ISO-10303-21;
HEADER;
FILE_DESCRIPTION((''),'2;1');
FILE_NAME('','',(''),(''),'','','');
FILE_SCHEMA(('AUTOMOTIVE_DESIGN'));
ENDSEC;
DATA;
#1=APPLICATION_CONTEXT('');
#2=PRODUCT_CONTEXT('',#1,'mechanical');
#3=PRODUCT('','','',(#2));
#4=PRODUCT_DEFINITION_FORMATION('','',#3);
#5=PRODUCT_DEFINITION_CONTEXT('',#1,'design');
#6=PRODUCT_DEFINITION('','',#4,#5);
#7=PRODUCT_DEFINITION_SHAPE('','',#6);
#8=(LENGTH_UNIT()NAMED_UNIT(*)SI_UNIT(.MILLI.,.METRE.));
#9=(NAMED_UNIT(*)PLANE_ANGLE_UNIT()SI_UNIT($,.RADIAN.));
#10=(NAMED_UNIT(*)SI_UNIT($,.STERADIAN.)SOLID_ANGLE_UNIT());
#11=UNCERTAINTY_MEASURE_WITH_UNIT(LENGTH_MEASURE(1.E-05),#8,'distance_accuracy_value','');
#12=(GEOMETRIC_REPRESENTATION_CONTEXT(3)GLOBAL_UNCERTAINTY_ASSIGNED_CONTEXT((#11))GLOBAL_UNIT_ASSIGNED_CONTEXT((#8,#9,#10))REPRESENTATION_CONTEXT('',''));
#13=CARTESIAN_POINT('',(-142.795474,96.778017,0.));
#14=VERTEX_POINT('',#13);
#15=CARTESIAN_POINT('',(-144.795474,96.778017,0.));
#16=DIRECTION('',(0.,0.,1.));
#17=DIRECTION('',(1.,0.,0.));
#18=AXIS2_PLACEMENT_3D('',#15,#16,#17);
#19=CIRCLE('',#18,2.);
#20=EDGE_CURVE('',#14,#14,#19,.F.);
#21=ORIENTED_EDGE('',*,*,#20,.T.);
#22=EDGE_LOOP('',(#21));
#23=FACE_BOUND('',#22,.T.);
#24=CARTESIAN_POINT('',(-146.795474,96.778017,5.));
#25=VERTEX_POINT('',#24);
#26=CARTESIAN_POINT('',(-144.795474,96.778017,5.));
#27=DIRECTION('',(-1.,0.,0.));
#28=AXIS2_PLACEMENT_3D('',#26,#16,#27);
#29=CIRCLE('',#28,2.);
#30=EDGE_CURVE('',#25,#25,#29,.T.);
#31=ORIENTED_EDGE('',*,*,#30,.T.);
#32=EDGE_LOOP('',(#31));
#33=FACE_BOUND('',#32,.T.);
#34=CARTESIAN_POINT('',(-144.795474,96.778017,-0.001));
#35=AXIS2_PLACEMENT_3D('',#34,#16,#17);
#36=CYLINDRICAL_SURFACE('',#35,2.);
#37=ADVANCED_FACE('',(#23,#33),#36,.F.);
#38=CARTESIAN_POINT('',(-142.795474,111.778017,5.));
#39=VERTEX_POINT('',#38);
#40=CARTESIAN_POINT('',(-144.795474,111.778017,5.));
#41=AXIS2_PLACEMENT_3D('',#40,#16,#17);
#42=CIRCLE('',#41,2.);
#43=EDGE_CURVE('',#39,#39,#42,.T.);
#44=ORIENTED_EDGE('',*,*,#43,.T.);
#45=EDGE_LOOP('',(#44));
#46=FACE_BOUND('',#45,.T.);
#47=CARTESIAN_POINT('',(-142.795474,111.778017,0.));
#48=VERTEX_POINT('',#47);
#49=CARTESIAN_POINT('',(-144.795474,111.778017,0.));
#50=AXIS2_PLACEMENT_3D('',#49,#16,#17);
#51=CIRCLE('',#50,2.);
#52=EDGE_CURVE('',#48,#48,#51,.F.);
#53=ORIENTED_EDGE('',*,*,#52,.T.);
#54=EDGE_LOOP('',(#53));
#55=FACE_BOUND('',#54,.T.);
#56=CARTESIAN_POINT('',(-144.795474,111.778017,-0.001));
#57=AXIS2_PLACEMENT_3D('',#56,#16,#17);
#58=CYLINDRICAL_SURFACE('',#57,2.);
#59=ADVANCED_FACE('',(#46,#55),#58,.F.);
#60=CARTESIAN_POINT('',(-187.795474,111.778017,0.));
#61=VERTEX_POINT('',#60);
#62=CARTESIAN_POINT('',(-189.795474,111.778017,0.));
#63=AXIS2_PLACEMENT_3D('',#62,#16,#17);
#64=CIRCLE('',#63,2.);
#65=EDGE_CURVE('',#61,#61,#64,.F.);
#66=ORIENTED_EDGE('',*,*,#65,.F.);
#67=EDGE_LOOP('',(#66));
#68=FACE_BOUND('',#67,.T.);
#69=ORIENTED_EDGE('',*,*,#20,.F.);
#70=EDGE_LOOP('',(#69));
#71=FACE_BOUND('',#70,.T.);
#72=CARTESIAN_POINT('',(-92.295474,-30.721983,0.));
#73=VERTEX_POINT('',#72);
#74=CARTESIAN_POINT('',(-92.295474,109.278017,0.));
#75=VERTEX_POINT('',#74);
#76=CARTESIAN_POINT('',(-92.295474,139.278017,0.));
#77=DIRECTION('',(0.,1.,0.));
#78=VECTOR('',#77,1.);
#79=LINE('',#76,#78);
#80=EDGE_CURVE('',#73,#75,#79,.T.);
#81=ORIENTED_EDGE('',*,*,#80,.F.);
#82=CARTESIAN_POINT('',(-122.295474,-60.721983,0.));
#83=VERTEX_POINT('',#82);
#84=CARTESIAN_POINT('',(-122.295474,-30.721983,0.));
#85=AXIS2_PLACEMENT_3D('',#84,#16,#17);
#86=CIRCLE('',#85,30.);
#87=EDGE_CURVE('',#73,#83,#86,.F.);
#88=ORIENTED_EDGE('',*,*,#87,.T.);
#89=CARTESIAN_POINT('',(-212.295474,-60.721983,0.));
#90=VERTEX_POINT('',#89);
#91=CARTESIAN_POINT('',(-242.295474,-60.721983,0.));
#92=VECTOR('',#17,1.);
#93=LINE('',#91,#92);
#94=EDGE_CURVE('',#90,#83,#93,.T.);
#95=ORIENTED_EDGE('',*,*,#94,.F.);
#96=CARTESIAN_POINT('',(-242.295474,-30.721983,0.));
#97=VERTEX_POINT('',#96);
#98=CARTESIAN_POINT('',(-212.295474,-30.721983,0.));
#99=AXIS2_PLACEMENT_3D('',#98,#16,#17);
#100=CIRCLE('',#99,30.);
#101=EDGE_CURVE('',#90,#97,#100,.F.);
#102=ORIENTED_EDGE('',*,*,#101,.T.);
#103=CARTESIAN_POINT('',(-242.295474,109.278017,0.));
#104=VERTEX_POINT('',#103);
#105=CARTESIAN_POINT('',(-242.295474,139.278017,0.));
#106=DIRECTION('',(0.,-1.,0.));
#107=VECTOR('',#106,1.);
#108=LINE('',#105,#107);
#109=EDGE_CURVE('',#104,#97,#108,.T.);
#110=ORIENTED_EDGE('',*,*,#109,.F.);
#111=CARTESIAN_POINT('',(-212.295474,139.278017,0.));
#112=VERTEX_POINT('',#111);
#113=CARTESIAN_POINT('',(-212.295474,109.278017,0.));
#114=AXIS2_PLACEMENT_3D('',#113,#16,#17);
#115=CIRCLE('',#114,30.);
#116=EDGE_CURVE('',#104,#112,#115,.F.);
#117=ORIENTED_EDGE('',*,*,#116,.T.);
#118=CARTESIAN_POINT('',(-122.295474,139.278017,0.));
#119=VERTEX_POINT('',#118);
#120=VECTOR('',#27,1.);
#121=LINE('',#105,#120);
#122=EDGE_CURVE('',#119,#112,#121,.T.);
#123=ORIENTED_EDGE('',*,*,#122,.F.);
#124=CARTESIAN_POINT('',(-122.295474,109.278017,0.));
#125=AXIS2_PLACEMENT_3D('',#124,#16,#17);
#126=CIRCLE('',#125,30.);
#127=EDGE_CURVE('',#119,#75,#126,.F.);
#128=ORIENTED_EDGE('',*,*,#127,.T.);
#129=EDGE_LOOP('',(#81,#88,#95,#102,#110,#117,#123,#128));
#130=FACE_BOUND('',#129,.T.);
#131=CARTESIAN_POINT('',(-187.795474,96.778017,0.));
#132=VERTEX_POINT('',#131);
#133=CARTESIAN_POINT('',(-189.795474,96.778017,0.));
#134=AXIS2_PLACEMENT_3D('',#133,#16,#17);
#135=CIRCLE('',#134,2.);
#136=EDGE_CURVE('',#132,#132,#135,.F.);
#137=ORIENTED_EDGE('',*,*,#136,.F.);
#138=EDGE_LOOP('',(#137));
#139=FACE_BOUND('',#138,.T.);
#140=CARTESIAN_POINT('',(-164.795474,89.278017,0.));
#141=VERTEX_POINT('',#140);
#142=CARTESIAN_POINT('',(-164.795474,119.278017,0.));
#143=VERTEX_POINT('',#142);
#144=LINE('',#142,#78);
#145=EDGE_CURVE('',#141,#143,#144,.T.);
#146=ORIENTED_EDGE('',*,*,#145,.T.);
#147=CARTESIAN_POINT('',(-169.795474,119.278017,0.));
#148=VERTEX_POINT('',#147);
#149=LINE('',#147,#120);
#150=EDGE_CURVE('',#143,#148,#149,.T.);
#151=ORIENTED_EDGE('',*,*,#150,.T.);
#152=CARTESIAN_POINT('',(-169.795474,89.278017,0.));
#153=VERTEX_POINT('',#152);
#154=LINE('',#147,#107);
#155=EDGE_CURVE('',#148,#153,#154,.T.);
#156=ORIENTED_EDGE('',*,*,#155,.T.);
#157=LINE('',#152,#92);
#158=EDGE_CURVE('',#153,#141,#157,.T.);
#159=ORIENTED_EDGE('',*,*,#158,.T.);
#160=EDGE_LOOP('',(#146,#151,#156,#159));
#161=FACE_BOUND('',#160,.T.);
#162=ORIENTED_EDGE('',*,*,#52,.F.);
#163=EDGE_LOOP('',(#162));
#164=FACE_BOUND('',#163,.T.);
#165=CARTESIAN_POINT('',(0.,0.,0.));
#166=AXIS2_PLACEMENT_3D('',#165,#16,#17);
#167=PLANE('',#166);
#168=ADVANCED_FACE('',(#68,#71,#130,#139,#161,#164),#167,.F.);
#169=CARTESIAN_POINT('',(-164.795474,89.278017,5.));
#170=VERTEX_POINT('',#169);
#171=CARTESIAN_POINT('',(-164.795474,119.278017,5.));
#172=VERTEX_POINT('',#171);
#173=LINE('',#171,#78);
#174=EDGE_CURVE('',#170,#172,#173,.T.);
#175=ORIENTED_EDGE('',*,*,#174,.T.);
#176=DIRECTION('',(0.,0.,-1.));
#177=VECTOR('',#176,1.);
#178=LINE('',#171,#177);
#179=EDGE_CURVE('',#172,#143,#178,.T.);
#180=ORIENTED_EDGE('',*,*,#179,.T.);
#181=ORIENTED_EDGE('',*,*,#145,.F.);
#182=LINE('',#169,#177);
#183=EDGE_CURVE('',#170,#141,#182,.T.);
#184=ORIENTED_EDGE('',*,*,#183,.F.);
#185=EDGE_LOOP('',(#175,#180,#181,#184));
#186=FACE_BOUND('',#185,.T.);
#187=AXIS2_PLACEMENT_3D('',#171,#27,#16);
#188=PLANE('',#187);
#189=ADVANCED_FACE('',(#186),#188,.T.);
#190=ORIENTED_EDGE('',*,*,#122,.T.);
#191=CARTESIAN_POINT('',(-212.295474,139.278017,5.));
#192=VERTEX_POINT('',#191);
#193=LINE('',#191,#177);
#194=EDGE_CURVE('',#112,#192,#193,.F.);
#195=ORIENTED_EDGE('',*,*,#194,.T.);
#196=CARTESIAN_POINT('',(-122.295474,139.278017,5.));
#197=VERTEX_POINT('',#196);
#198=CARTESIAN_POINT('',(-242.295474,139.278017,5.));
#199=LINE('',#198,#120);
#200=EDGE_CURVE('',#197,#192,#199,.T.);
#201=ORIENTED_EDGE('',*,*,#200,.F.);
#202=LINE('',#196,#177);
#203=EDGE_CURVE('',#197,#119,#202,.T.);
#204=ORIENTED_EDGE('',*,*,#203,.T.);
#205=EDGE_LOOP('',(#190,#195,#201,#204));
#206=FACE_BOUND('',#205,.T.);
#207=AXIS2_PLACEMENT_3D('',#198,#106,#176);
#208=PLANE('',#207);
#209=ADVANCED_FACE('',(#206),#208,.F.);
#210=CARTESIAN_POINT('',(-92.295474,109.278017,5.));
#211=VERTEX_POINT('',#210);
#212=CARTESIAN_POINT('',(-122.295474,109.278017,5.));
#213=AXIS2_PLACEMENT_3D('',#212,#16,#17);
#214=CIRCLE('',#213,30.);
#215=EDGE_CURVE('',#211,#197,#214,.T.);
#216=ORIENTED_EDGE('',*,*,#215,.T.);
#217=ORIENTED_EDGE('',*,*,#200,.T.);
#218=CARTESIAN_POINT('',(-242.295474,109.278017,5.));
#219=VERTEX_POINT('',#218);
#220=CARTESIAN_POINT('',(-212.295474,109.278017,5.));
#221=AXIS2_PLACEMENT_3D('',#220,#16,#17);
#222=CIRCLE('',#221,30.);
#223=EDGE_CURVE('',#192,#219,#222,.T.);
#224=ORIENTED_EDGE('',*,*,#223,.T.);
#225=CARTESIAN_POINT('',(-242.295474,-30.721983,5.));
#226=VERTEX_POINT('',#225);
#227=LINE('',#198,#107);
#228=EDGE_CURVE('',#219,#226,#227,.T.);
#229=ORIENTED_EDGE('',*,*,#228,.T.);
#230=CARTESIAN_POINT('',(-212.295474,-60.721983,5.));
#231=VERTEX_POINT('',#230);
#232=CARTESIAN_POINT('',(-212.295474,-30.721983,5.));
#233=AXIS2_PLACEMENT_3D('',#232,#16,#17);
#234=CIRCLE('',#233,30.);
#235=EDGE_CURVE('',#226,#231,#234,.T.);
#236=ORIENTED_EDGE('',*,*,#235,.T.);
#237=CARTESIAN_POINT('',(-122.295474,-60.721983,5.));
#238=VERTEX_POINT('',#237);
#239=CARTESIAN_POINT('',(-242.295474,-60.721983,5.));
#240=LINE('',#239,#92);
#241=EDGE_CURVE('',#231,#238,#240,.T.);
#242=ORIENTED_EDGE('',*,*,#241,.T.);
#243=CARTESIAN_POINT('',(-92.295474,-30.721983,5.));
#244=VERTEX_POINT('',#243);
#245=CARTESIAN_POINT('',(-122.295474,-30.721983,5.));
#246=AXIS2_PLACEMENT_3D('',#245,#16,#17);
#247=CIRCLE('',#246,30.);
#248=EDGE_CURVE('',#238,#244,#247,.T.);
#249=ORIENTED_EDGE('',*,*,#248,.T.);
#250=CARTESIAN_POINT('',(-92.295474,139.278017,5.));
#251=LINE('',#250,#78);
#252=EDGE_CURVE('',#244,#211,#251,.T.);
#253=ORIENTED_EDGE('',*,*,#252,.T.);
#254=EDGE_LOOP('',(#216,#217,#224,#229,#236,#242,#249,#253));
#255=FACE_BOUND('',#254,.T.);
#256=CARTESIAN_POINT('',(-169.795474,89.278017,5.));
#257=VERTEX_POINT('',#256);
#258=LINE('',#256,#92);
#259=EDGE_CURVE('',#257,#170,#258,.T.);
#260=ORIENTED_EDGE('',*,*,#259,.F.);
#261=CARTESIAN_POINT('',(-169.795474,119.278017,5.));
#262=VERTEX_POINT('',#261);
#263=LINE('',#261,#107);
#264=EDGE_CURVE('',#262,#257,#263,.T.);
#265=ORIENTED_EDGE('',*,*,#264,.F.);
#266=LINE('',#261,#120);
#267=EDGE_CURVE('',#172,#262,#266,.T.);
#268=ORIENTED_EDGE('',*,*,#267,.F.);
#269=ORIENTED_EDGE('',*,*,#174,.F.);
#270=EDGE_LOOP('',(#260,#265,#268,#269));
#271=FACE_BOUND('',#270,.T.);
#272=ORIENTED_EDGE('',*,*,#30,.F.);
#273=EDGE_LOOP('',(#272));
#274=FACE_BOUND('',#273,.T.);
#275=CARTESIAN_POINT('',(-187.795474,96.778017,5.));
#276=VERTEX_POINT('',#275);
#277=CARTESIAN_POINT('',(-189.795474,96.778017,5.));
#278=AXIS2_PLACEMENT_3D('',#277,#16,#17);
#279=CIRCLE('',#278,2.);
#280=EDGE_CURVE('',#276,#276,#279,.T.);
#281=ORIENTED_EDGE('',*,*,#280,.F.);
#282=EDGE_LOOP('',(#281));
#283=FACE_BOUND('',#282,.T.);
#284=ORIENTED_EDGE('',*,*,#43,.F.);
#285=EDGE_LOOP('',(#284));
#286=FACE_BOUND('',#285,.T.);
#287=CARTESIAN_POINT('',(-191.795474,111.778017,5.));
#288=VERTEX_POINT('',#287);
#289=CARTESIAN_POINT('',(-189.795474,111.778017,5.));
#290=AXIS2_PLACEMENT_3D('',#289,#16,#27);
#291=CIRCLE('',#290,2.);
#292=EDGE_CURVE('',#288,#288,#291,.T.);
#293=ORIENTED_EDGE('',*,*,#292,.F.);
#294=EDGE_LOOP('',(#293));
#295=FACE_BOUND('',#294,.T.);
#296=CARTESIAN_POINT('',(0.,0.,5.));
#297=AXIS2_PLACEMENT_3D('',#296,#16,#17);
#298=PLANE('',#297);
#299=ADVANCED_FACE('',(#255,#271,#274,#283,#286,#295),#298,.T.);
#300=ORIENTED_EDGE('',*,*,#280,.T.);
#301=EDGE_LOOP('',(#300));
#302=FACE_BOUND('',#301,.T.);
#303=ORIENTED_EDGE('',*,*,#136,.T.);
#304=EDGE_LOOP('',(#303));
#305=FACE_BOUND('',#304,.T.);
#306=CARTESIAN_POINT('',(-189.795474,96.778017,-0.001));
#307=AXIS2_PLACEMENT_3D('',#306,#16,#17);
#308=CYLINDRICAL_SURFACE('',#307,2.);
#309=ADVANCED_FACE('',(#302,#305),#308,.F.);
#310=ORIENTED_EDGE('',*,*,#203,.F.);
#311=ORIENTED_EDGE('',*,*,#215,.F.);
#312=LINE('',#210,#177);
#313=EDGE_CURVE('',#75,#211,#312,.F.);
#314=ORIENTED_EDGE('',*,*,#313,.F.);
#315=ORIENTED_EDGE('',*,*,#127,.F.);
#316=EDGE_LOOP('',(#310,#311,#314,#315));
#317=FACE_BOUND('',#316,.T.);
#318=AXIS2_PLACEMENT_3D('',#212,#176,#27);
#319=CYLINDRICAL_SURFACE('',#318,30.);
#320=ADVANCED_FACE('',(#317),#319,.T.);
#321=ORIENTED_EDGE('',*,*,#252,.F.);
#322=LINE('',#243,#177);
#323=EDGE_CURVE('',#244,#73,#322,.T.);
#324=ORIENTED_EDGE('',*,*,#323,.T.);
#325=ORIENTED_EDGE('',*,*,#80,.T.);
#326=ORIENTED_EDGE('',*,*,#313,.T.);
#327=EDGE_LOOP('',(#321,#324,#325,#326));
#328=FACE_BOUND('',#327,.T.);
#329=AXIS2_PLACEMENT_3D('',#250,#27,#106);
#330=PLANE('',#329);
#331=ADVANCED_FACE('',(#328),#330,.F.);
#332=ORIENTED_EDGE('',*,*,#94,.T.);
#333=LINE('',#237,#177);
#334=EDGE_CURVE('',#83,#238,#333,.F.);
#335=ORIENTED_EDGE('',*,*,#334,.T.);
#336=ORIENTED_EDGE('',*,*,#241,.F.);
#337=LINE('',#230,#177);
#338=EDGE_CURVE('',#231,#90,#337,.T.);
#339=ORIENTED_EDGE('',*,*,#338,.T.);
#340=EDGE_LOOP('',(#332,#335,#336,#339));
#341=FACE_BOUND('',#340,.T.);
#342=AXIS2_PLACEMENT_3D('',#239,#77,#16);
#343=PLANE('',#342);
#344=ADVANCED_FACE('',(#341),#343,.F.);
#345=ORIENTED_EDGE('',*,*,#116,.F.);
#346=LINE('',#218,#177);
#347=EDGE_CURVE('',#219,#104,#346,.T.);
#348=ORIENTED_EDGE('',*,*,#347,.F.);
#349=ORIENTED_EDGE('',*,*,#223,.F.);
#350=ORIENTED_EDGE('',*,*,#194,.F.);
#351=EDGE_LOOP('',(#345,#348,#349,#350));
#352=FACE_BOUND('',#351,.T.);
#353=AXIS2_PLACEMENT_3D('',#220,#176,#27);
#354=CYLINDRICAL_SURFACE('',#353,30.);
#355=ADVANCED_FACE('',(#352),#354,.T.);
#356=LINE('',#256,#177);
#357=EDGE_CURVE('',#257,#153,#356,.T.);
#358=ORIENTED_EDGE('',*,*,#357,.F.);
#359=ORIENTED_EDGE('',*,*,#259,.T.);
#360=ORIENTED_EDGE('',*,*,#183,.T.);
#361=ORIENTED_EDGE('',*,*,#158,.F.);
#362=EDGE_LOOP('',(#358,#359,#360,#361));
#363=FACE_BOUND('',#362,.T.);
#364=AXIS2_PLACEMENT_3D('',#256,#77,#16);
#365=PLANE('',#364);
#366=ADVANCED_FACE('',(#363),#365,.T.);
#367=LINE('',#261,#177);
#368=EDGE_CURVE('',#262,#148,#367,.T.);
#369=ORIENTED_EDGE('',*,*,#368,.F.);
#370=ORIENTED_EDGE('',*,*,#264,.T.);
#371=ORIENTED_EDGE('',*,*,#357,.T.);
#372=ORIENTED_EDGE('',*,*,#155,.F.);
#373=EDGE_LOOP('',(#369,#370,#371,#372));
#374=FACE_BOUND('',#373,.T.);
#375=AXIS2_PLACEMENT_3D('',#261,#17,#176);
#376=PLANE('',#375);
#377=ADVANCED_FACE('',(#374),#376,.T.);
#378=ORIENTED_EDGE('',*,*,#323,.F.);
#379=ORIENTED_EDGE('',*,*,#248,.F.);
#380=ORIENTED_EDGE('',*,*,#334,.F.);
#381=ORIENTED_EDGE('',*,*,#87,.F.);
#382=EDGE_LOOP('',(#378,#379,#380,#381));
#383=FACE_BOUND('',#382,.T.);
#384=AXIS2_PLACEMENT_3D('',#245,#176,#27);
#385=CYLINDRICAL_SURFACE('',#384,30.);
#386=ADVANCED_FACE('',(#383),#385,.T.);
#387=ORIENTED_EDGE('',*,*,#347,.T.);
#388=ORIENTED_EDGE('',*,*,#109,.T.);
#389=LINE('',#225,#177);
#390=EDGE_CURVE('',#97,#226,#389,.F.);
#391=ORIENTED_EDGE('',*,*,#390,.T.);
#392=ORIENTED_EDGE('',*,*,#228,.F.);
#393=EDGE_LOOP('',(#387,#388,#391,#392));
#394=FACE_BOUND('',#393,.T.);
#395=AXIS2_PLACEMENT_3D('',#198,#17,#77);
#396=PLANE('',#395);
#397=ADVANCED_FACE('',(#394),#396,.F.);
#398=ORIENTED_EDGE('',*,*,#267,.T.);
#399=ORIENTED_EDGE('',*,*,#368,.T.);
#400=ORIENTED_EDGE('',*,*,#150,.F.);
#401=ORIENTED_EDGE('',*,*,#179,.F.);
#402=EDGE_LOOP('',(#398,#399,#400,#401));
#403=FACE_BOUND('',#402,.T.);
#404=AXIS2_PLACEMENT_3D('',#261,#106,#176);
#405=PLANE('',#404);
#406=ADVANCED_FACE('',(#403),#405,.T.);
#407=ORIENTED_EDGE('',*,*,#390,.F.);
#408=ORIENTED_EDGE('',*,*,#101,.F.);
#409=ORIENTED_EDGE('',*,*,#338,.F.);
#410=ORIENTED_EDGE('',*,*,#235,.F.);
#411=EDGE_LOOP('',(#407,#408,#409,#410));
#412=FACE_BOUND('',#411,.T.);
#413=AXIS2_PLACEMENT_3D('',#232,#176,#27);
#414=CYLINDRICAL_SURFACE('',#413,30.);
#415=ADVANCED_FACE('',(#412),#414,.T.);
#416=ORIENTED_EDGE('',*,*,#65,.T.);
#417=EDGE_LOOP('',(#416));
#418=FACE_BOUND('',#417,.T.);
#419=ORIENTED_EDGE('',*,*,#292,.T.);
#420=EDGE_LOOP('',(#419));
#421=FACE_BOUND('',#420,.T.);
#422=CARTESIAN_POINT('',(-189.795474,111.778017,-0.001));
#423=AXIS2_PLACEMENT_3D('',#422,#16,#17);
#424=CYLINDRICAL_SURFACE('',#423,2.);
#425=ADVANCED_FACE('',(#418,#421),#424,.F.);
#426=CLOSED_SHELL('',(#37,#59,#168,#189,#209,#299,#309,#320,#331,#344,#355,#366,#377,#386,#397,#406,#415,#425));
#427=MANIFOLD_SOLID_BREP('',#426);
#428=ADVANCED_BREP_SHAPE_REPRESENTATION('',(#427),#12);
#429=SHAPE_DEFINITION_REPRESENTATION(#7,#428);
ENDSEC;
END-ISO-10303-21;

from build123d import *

# Parameters (mm, degrees)
CROQUIS1_W              = 150
CROQUIS1_H              = 200
CROQUIS1_W_2            = 5
CROQUIS1_H_2            = 30
SALIENTE_EXTRUIR1_DEPTH = 5
REDONDEO1_R             = 30
CORTAR_EXTRUIR1_REACH   = 281.518
CROQUIS2_R              = 2


with BuildPart() as part:
    # Croquis1 → Saliente-Extruir1 (new body)
    with BuildSketch(Plane.XY):
        with Locations((-167.295474365, 39.278017241)):
            Rectangle(CROQUIS1_W, CROQUIS1_H)
        with Locations((-167.295474365, 104.278017241)):
            Rectangle(CROQUIS1_W_2, CROQUIS1_H_2, mode=Mode.SUBTRACT)
    extrude(amount=SALIENTE_EXTRUIR1_DEPTH)

    # Redondeo1
    redondeo1_edges = [part.edges().sort_by_distance(p)[0] for p in [
        (-242.295474365, 139.278017241, 2.5),
        (-92.295474365, 139.278017241, 2.5),
        (-92.295474365, -60.721982759, 2.5),
        (-242.295474365, -60.721982759, 2.5),
    ]]
    fillet(redondeo1_edges, radius=REDONDEO1_R)

    # Croquis2 → Cortar-Extruir1 (cut, up to next)
    with BuildSketch(Plane.XY.offset(5), mode=Mode.PRIVATE) as cortar_extruir1_sk1:
        with Locations((-144.795474365, 111.778017241)):
            Circle(CROQUIS2_R)
    cortar_extruir1_tool1 = extrude(cortar_extruir1_sk1.sketch, amount=-CORTAR_EXTRUIR1_REACH, mode=Mode.PRIVATE) & part.part
    # Croquis2 → Cortar-Extruir1 (cut, up to next)
    with BuildSketch(Plane.XY.offset(5), mode=Mode.PRIVATE) as cortar_extruir1_sk2:
        with Locations((-189.795474365, 111.778017241)):
            Circle(CROQUIS2_R)
    cortar_extruir1_tool2 = extrude(cortar_extruir1_sk2.sketch, amount=-CORTAR_EXTRUIR1_REACH, mode=Mode.PRIVATE) & part.part
    # Croquis2 → Cortar-Extruir1 (cut, up to next)
    with BuildSketch(Plane.XY.offset(5), mode=Mode.PRIVATE) as cortar_extruir1_sk3:
        with Locations((-189.795474365, 96.778017241)):
            Circle(CROQUIS2_R)
    cortar_extruir1_tool3 = extrude(cortar_extruir1_sk3.sketch, amount=-CORTAR_EXTRUIR1_REACH, mode=Mode.PRIVATE) & part.part
    # Croquis2 → Cortar-Extruir1 (cut, up to next)
    with BuildSketch(Plane.XY.offset(5), mode=Mode.PRIVATE) as cortar_extruir1_sk4:
        with Locations((-144.795474365, 96.778017241)):
            Circle(CROQUIS2_R)
    cortar_extruir1_tool4 = extrude(cortar_extruir1_sk4.sketch, amount=-CORTAR_EXTRUIR1_REACH, mode=Mode.PRIVATE) & part.part
    add(cortar_extruir1_tool1.solids().sort_by_distance((-144.795474, 111.778017, 5))[0], mode=Mode.SUBTRACT)
    add(cortar_extruir1_tool2.solids().sort_by_distance((-189.795474, 111.778017, 5))[0], mode=Mode.SUBTRACT)
    add(cortar_extruir1_tool3.solids().sort_by_distance((-189.795474, 96.778017, 5))[0], mode=Mode.SUBTRACT)
    add(cortar_extruir1_tool4.solids().sort_by_distance((-144.795474, 96.778017, 5))[0], mode=Mode.SUBTRACT)


solid = part.part
